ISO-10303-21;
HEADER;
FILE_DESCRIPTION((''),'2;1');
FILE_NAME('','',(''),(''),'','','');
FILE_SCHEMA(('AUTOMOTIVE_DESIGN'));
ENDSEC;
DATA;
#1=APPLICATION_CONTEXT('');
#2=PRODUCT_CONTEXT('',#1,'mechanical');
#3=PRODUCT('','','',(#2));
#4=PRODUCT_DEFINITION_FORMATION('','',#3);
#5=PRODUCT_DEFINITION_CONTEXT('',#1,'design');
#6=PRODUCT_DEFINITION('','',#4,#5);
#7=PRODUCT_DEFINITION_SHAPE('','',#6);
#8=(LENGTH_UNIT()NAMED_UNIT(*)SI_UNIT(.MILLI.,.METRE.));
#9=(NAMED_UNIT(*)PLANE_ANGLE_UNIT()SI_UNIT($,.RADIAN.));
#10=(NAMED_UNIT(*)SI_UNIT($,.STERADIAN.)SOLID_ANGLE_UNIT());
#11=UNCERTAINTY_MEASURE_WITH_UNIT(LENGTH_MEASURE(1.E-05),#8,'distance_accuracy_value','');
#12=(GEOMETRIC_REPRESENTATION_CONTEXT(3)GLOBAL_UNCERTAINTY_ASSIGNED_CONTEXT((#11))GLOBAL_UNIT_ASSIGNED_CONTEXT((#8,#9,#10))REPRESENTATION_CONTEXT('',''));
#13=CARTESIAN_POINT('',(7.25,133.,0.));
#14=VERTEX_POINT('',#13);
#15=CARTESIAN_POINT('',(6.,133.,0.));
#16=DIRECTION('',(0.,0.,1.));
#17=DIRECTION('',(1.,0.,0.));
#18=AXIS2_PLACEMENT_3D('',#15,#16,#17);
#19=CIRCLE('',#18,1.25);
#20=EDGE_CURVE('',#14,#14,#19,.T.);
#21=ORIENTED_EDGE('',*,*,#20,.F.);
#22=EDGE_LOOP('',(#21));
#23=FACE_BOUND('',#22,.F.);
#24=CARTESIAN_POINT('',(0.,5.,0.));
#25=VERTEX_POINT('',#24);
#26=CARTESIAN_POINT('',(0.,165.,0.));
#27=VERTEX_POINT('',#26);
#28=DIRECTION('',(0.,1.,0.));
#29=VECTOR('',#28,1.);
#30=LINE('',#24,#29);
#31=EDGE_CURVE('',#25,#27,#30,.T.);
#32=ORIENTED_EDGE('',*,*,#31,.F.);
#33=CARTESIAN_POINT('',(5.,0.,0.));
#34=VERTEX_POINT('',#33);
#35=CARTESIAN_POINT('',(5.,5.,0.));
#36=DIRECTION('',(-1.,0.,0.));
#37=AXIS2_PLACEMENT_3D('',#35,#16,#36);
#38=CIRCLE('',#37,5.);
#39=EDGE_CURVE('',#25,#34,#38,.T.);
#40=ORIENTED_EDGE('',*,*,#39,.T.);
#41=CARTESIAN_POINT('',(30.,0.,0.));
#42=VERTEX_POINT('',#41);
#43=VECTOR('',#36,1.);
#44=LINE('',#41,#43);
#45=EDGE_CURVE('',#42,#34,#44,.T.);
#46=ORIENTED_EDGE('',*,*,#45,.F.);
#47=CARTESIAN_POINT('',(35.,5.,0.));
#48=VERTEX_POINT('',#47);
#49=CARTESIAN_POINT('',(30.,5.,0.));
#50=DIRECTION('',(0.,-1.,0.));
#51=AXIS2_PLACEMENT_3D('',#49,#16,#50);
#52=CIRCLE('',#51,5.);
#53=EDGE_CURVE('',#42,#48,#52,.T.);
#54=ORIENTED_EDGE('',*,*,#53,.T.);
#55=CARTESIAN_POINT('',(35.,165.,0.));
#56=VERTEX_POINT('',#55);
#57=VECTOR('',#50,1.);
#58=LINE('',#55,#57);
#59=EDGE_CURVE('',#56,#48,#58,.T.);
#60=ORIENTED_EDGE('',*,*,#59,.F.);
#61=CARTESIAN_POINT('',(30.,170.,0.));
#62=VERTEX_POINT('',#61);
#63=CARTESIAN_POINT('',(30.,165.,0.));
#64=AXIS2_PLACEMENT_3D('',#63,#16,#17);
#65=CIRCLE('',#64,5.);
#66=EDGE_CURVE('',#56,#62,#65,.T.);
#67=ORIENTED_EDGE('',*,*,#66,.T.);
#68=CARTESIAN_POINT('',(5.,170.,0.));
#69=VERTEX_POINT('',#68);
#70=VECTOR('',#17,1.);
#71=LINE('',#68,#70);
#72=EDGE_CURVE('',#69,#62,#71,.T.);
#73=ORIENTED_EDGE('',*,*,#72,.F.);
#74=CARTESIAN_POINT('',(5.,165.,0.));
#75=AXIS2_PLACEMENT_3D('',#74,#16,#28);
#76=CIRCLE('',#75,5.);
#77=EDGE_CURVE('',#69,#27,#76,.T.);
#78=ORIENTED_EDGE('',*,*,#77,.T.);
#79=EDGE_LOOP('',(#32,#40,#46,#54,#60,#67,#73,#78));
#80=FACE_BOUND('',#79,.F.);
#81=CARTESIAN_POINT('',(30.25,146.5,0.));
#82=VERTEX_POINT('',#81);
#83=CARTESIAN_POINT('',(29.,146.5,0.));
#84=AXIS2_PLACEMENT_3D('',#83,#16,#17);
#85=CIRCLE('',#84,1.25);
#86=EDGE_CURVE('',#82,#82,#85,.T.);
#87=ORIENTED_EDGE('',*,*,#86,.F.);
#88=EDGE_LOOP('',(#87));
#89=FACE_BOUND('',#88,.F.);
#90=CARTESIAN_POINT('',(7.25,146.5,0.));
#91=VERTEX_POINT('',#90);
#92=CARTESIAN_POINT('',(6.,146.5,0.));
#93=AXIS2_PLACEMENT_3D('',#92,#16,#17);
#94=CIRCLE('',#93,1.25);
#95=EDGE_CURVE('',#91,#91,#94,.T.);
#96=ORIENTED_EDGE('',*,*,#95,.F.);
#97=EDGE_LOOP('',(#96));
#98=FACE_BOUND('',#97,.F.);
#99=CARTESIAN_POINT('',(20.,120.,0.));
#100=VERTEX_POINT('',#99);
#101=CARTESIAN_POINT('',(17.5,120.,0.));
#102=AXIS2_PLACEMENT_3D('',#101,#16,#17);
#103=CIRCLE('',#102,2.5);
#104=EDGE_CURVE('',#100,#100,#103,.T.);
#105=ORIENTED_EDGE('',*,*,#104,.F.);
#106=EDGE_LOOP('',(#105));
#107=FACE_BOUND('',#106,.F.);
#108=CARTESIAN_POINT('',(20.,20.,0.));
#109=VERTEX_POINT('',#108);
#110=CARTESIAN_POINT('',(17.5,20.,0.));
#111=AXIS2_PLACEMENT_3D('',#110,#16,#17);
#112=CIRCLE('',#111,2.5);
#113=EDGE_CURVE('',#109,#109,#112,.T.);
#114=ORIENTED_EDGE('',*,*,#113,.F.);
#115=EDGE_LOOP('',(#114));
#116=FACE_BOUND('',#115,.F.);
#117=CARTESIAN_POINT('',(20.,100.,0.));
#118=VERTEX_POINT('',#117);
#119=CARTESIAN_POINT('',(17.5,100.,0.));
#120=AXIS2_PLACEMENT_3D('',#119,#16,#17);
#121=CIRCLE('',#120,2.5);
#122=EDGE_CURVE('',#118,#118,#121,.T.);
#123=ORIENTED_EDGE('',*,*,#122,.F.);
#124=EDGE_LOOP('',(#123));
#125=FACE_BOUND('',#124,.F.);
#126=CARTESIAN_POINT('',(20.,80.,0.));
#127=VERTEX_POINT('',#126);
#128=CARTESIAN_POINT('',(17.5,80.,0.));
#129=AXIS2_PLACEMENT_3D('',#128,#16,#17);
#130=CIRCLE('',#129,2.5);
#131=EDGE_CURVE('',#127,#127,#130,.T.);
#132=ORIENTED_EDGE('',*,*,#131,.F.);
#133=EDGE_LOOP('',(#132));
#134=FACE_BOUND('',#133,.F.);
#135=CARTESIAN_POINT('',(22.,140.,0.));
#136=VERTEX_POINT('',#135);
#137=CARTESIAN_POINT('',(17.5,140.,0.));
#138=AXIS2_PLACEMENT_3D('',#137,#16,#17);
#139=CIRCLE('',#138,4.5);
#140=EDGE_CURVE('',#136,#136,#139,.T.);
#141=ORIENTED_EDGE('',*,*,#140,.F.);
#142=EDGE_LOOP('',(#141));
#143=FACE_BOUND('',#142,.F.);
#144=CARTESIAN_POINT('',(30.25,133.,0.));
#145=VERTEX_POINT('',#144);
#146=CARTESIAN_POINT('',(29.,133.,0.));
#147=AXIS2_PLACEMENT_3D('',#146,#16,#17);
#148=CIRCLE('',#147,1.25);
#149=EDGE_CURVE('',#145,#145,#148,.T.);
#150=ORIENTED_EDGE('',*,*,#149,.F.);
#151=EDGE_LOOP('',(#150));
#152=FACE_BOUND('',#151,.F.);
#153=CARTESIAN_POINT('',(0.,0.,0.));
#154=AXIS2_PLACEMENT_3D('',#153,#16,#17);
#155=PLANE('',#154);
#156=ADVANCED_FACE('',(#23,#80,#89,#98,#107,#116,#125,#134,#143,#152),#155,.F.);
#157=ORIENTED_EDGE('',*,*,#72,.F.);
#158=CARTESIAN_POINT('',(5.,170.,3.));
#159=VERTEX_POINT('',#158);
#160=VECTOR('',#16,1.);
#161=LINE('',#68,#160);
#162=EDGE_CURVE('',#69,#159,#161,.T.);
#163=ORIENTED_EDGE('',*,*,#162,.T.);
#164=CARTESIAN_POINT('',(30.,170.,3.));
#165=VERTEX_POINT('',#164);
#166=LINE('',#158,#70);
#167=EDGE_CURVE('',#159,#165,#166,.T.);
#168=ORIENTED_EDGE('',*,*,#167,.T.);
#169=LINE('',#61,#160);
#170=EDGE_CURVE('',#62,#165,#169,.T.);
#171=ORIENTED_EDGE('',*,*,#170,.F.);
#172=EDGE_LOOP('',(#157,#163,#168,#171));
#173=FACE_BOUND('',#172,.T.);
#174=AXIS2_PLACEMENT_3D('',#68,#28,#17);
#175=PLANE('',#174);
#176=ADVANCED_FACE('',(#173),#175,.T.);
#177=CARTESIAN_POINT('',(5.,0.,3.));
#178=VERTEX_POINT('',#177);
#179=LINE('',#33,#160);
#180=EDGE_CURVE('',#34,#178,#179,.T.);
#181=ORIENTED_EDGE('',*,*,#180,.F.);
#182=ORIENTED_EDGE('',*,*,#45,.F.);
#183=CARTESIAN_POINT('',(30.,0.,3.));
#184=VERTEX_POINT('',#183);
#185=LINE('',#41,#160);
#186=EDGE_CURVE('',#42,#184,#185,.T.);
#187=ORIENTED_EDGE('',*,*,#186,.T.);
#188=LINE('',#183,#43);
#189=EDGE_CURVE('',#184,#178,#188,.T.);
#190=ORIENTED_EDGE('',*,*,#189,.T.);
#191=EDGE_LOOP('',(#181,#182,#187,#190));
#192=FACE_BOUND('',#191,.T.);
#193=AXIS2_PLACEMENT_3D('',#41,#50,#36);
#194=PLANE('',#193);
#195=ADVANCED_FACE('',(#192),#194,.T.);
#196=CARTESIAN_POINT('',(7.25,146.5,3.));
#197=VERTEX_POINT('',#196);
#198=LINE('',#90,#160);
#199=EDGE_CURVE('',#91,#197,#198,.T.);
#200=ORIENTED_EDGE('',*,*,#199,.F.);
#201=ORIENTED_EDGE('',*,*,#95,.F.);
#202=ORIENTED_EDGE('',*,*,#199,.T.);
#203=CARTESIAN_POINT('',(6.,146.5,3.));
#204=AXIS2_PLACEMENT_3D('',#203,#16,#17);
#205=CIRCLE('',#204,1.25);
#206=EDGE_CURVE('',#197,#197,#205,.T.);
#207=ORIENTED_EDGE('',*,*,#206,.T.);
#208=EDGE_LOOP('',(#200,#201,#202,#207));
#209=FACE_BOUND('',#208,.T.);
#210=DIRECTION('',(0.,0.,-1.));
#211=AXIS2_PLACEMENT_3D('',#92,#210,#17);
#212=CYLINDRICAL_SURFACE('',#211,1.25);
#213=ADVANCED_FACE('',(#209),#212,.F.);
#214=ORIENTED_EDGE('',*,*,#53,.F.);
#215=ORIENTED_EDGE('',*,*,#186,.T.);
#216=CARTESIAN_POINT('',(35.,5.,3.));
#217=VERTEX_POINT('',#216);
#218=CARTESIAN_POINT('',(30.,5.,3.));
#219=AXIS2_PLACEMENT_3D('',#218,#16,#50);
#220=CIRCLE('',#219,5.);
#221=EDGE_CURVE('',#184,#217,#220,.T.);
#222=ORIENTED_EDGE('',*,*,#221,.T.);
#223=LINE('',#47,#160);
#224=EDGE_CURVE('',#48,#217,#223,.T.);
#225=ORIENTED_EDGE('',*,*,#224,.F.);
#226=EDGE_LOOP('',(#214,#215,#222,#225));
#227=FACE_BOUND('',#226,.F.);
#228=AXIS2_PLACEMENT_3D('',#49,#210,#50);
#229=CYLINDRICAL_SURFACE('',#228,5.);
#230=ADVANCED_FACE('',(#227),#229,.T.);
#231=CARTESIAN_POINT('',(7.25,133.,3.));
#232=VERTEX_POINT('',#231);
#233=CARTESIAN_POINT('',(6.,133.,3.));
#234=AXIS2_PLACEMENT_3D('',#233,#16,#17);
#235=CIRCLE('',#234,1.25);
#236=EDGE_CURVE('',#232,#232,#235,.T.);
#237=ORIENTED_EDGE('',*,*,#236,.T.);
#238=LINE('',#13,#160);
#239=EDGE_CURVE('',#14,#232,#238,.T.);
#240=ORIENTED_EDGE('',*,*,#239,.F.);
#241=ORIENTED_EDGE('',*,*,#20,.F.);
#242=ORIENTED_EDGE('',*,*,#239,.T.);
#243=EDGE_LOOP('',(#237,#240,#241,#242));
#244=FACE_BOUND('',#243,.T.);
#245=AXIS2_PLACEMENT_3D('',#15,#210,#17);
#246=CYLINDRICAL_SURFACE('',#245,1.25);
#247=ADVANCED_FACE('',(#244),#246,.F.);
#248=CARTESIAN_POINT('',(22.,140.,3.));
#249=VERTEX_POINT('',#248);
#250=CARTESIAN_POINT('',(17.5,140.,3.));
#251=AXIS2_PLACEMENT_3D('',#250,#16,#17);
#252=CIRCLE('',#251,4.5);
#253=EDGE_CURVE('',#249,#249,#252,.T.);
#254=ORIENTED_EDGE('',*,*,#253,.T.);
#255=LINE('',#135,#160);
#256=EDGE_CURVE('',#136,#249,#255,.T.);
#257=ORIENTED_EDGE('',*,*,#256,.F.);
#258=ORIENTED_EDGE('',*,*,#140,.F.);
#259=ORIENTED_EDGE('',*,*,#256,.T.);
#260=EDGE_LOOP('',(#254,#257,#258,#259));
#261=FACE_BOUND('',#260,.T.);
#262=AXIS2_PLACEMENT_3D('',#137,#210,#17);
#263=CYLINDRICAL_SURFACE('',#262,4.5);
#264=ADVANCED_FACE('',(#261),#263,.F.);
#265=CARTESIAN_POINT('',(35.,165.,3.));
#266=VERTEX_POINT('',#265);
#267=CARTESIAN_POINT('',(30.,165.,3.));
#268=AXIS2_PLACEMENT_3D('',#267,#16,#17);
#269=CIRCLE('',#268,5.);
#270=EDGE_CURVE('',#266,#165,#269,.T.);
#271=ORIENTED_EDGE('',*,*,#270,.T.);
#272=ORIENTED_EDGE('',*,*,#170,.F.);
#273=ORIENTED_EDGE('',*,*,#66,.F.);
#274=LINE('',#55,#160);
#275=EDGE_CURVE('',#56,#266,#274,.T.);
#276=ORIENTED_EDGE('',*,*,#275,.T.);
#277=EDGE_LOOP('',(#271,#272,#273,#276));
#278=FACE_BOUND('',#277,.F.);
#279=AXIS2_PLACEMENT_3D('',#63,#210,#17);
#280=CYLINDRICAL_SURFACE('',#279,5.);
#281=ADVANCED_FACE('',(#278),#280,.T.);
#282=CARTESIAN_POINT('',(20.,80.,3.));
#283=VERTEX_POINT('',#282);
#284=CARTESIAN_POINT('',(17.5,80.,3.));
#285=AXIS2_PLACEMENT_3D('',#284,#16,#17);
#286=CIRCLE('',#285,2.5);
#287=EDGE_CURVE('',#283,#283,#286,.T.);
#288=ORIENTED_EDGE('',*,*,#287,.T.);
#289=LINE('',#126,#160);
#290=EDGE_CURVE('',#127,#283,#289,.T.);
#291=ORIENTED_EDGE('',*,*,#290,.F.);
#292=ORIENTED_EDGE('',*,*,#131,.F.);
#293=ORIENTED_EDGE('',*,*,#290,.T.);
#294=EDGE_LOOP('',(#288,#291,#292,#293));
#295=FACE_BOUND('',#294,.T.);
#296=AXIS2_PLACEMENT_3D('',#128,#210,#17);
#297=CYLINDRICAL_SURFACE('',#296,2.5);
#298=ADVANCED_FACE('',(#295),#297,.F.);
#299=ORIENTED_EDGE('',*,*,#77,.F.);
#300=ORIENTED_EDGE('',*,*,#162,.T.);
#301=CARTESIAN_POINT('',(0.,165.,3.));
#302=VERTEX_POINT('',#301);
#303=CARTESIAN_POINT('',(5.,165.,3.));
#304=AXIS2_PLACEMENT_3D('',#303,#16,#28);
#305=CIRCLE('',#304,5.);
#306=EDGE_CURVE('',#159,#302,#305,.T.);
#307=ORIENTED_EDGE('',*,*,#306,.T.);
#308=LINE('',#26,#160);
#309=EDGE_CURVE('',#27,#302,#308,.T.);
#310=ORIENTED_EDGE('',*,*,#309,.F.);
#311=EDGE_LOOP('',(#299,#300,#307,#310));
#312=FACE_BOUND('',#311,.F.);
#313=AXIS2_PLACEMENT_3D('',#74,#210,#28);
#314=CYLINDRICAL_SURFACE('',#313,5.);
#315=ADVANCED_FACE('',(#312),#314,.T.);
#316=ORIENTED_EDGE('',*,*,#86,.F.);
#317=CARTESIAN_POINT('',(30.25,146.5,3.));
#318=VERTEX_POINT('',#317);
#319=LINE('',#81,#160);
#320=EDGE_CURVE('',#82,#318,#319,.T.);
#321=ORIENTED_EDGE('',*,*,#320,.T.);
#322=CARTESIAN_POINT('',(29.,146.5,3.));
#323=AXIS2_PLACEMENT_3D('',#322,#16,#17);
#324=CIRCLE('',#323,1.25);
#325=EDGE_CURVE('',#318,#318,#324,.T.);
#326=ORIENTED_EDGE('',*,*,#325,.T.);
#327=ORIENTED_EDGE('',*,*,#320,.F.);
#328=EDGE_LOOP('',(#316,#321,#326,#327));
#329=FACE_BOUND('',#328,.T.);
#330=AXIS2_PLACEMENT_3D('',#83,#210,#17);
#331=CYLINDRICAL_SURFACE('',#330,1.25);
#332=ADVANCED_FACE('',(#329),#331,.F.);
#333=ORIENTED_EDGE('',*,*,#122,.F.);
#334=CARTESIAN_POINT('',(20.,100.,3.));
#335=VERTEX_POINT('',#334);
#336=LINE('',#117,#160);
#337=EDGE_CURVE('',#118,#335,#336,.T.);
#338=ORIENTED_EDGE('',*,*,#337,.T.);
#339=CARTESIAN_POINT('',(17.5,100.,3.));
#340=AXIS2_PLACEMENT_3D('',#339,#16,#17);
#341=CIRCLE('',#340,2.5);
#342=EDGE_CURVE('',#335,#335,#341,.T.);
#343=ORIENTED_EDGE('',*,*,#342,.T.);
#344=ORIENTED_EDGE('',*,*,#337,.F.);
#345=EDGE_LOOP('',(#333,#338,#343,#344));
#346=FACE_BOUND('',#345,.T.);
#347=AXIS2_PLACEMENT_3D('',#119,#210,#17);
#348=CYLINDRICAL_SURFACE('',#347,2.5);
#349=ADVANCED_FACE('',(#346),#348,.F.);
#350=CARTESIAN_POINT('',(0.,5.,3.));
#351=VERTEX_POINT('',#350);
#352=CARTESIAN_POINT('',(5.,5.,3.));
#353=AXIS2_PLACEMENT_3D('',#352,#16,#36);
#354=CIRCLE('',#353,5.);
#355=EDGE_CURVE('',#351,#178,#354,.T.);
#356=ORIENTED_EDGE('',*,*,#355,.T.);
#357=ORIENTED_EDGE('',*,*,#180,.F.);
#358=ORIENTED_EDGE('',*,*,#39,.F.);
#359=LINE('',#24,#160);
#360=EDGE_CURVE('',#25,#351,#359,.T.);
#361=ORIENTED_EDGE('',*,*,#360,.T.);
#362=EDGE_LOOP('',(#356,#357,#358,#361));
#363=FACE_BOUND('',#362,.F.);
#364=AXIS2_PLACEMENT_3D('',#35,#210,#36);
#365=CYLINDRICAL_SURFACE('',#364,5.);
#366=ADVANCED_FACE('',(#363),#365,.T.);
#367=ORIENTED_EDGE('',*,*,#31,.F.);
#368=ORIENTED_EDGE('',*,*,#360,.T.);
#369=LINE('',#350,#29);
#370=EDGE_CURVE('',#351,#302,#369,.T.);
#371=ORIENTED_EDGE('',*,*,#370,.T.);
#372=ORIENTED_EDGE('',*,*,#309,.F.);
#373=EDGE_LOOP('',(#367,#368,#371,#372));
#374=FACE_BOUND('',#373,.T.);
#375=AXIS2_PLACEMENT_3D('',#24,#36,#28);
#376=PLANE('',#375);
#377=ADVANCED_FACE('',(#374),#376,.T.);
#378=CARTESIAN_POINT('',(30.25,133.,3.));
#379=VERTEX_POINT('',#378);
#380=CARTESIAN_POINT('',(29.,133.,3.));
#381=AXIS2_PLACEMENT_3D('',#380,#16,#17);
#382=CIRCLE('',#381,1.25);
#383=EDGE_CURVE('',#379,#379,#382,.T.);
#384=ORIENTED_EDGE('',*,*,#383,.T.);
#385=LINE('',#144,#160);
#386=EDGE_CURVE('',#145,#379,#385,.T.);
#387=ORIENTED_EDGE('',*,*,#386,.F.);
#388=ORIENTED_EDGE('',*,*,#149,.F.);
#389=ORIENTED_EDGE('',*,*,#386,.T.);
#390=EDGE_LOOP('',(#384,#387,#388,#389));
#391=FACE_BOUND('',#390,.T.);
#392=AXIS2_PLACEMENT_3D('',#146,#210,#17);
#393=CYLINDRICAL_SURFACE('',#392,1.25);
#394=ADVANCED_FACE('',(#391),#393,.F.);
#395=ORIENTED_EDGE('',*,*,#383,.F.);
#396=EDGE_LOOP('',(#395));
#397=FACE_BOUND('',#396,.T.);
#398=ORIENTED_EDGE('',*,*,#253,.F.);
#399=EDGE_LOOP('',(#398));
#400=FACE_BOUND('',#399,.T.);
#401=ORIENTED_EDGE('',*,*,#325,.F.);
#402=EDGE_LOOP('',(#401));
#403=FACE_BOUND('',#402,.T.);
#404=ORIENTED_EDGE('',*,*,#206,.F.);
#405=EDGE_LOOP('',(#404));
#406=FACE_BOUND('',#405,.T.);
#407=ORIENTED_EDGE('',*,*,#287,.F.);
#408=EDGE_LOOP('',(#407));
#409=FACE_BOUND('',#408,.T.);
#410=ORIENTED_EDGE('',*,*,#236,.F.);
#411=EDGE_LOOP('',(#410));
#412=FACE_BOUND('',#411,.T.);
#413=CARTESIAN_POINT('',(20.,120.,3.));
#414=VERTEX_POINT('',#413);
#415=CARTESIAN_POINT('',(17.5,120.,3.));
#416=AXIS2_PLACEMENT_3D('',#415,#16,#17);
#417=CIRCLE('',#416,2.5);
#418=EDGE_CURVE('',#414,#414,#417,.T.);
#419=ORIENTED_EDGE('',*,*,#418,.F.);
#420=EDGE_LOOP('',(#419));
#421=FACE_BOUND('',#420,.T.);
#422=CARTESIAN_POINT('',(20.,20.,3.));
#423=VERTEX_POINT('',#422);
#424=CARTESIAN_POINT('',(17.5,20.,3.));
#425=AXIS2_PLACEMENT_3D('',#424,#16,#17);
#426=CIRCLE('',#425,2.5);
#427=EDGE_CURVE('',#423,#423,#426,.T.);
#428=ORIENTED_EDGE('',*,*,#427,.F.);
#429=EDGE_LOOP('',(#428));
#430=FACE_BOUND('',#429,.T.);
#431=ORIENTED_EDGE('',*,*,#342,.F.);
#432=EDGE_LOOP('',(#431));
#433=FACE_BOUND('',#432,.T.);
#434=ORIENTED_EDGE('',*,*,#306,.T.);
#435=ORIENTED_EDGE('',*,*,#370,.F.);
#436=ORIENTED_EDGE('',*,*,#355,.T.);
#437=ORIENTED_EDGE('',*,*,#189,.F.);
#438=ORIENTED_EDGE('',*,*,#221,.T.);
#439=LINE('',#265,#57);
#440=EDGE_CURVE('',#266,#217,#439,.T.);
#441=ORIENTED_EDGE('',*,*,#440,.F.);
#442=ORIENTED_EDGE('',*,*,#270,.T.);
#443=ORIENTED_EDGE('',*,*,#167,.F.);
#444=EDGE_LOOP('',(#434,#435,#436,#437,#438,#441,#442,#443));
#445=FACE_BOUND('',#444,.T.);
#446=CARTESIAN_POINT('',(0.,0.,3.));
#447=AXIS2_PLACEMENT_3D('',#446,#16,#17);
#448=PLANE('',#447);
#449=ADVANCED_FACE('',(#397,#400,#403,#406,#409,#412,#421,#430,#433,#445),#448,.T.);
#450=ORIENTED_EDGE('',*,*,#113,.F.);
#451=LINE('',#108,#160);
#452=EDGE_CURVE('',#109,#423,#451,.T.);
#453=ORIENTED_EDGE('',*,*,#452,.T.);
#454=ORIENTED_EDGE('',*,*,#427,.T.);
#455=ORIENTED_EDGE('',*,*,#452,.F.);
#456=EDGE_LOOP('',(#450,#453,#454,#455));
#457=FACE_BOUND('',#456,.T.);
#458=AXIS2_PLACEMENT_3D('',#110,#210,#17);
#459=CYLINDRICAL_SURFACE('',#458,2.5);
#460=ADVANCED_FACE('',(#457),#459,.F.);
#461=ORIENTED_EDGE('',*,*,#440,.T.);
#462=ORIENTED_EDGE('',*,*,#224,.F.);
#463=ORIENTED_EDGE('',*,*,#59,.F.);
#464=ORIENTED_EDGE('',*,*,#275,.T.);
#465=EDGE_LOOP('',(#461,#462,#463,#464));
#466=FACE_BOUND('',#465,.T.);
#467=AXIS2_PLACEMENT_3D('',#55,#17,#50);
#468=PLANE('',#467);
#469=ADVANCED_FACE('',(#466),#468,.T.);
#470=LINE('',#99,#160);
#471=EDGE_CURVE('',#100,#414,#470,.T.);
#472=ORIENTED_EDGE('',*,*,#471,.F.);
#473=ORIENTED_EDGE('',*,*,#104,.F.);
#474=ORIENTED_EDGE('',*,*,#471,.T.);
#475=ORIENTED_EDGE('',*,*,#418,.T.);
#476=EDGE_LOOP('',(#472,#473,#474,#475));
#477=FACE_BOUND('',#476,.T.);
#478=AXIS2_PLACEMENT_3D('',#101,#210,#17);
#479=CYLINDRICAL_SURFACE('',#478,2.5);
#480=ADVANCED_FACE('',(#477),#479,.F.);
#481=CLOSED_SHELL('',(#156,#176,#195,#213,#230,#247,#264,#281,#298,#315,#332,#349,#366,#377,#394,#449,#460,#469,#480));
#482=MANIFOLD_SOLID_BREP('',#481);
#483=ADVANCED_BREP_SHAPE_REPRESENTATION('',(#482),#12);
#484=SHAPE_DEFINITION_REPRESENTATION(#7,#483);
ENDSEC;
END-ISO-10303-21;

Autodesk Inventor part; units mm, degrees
ref_plane "YZ Plane" through (0, 0, 0) normal (1, 0, 0) x (0, 1, 0)
ref_plane "XZ Plane" through (0, 0, 0) normal (0, 1, 0) x (-1, 0, 0)
ref_plane "XY Plane" through (0, 0, 0) normal (0, 0, 1) x (1, 0, 0)
sketch "Boceto1" plane through (0, 0, 0) normal (0, 0, 1) x (1, 0, 0)
  line L0 (0, 5) -> (0, 165)
  line L1 (5, 170) -> (30, 170)
  line L2 (35, 165) -> (35, 5)
  line L3 (30, 0) -> (5, 0)
  arc A0 (35, 165) -> (30, 170) centre (30, 165) ccw
  arc A1 (5, 170) -> (0, 165) centre (5, 165) ccw
  arc A2 (0, 5) -> (5, 0) centre (5, 5) ccw
  arc A3 (30, 0) -> (35, 5) centre (30, 5) ccw
  circle A4 centre (17.5, 140) radius 4.5
  circle A5 centre (17.5, 120) radius 2.5
  circle A6 centre (17.5, 100) radius 2.5
  circle A7 centre (17.5, 80) radius 2.5
  circle A8 centre (17.5, 20) radius 2.5
  circle A9 centre (6, 133) radius 1.25
  circle A10 centre (6, 146.5) radius 1.25
  circle A11 centre (29, 146.5) radius 1.25
  circle A12 centre (29, 133) radius 1.25
  point P0 (0, 0)
extrude "Extrusión1" add sketch "Boceto1" along normal blind 3
properties part number "2"
